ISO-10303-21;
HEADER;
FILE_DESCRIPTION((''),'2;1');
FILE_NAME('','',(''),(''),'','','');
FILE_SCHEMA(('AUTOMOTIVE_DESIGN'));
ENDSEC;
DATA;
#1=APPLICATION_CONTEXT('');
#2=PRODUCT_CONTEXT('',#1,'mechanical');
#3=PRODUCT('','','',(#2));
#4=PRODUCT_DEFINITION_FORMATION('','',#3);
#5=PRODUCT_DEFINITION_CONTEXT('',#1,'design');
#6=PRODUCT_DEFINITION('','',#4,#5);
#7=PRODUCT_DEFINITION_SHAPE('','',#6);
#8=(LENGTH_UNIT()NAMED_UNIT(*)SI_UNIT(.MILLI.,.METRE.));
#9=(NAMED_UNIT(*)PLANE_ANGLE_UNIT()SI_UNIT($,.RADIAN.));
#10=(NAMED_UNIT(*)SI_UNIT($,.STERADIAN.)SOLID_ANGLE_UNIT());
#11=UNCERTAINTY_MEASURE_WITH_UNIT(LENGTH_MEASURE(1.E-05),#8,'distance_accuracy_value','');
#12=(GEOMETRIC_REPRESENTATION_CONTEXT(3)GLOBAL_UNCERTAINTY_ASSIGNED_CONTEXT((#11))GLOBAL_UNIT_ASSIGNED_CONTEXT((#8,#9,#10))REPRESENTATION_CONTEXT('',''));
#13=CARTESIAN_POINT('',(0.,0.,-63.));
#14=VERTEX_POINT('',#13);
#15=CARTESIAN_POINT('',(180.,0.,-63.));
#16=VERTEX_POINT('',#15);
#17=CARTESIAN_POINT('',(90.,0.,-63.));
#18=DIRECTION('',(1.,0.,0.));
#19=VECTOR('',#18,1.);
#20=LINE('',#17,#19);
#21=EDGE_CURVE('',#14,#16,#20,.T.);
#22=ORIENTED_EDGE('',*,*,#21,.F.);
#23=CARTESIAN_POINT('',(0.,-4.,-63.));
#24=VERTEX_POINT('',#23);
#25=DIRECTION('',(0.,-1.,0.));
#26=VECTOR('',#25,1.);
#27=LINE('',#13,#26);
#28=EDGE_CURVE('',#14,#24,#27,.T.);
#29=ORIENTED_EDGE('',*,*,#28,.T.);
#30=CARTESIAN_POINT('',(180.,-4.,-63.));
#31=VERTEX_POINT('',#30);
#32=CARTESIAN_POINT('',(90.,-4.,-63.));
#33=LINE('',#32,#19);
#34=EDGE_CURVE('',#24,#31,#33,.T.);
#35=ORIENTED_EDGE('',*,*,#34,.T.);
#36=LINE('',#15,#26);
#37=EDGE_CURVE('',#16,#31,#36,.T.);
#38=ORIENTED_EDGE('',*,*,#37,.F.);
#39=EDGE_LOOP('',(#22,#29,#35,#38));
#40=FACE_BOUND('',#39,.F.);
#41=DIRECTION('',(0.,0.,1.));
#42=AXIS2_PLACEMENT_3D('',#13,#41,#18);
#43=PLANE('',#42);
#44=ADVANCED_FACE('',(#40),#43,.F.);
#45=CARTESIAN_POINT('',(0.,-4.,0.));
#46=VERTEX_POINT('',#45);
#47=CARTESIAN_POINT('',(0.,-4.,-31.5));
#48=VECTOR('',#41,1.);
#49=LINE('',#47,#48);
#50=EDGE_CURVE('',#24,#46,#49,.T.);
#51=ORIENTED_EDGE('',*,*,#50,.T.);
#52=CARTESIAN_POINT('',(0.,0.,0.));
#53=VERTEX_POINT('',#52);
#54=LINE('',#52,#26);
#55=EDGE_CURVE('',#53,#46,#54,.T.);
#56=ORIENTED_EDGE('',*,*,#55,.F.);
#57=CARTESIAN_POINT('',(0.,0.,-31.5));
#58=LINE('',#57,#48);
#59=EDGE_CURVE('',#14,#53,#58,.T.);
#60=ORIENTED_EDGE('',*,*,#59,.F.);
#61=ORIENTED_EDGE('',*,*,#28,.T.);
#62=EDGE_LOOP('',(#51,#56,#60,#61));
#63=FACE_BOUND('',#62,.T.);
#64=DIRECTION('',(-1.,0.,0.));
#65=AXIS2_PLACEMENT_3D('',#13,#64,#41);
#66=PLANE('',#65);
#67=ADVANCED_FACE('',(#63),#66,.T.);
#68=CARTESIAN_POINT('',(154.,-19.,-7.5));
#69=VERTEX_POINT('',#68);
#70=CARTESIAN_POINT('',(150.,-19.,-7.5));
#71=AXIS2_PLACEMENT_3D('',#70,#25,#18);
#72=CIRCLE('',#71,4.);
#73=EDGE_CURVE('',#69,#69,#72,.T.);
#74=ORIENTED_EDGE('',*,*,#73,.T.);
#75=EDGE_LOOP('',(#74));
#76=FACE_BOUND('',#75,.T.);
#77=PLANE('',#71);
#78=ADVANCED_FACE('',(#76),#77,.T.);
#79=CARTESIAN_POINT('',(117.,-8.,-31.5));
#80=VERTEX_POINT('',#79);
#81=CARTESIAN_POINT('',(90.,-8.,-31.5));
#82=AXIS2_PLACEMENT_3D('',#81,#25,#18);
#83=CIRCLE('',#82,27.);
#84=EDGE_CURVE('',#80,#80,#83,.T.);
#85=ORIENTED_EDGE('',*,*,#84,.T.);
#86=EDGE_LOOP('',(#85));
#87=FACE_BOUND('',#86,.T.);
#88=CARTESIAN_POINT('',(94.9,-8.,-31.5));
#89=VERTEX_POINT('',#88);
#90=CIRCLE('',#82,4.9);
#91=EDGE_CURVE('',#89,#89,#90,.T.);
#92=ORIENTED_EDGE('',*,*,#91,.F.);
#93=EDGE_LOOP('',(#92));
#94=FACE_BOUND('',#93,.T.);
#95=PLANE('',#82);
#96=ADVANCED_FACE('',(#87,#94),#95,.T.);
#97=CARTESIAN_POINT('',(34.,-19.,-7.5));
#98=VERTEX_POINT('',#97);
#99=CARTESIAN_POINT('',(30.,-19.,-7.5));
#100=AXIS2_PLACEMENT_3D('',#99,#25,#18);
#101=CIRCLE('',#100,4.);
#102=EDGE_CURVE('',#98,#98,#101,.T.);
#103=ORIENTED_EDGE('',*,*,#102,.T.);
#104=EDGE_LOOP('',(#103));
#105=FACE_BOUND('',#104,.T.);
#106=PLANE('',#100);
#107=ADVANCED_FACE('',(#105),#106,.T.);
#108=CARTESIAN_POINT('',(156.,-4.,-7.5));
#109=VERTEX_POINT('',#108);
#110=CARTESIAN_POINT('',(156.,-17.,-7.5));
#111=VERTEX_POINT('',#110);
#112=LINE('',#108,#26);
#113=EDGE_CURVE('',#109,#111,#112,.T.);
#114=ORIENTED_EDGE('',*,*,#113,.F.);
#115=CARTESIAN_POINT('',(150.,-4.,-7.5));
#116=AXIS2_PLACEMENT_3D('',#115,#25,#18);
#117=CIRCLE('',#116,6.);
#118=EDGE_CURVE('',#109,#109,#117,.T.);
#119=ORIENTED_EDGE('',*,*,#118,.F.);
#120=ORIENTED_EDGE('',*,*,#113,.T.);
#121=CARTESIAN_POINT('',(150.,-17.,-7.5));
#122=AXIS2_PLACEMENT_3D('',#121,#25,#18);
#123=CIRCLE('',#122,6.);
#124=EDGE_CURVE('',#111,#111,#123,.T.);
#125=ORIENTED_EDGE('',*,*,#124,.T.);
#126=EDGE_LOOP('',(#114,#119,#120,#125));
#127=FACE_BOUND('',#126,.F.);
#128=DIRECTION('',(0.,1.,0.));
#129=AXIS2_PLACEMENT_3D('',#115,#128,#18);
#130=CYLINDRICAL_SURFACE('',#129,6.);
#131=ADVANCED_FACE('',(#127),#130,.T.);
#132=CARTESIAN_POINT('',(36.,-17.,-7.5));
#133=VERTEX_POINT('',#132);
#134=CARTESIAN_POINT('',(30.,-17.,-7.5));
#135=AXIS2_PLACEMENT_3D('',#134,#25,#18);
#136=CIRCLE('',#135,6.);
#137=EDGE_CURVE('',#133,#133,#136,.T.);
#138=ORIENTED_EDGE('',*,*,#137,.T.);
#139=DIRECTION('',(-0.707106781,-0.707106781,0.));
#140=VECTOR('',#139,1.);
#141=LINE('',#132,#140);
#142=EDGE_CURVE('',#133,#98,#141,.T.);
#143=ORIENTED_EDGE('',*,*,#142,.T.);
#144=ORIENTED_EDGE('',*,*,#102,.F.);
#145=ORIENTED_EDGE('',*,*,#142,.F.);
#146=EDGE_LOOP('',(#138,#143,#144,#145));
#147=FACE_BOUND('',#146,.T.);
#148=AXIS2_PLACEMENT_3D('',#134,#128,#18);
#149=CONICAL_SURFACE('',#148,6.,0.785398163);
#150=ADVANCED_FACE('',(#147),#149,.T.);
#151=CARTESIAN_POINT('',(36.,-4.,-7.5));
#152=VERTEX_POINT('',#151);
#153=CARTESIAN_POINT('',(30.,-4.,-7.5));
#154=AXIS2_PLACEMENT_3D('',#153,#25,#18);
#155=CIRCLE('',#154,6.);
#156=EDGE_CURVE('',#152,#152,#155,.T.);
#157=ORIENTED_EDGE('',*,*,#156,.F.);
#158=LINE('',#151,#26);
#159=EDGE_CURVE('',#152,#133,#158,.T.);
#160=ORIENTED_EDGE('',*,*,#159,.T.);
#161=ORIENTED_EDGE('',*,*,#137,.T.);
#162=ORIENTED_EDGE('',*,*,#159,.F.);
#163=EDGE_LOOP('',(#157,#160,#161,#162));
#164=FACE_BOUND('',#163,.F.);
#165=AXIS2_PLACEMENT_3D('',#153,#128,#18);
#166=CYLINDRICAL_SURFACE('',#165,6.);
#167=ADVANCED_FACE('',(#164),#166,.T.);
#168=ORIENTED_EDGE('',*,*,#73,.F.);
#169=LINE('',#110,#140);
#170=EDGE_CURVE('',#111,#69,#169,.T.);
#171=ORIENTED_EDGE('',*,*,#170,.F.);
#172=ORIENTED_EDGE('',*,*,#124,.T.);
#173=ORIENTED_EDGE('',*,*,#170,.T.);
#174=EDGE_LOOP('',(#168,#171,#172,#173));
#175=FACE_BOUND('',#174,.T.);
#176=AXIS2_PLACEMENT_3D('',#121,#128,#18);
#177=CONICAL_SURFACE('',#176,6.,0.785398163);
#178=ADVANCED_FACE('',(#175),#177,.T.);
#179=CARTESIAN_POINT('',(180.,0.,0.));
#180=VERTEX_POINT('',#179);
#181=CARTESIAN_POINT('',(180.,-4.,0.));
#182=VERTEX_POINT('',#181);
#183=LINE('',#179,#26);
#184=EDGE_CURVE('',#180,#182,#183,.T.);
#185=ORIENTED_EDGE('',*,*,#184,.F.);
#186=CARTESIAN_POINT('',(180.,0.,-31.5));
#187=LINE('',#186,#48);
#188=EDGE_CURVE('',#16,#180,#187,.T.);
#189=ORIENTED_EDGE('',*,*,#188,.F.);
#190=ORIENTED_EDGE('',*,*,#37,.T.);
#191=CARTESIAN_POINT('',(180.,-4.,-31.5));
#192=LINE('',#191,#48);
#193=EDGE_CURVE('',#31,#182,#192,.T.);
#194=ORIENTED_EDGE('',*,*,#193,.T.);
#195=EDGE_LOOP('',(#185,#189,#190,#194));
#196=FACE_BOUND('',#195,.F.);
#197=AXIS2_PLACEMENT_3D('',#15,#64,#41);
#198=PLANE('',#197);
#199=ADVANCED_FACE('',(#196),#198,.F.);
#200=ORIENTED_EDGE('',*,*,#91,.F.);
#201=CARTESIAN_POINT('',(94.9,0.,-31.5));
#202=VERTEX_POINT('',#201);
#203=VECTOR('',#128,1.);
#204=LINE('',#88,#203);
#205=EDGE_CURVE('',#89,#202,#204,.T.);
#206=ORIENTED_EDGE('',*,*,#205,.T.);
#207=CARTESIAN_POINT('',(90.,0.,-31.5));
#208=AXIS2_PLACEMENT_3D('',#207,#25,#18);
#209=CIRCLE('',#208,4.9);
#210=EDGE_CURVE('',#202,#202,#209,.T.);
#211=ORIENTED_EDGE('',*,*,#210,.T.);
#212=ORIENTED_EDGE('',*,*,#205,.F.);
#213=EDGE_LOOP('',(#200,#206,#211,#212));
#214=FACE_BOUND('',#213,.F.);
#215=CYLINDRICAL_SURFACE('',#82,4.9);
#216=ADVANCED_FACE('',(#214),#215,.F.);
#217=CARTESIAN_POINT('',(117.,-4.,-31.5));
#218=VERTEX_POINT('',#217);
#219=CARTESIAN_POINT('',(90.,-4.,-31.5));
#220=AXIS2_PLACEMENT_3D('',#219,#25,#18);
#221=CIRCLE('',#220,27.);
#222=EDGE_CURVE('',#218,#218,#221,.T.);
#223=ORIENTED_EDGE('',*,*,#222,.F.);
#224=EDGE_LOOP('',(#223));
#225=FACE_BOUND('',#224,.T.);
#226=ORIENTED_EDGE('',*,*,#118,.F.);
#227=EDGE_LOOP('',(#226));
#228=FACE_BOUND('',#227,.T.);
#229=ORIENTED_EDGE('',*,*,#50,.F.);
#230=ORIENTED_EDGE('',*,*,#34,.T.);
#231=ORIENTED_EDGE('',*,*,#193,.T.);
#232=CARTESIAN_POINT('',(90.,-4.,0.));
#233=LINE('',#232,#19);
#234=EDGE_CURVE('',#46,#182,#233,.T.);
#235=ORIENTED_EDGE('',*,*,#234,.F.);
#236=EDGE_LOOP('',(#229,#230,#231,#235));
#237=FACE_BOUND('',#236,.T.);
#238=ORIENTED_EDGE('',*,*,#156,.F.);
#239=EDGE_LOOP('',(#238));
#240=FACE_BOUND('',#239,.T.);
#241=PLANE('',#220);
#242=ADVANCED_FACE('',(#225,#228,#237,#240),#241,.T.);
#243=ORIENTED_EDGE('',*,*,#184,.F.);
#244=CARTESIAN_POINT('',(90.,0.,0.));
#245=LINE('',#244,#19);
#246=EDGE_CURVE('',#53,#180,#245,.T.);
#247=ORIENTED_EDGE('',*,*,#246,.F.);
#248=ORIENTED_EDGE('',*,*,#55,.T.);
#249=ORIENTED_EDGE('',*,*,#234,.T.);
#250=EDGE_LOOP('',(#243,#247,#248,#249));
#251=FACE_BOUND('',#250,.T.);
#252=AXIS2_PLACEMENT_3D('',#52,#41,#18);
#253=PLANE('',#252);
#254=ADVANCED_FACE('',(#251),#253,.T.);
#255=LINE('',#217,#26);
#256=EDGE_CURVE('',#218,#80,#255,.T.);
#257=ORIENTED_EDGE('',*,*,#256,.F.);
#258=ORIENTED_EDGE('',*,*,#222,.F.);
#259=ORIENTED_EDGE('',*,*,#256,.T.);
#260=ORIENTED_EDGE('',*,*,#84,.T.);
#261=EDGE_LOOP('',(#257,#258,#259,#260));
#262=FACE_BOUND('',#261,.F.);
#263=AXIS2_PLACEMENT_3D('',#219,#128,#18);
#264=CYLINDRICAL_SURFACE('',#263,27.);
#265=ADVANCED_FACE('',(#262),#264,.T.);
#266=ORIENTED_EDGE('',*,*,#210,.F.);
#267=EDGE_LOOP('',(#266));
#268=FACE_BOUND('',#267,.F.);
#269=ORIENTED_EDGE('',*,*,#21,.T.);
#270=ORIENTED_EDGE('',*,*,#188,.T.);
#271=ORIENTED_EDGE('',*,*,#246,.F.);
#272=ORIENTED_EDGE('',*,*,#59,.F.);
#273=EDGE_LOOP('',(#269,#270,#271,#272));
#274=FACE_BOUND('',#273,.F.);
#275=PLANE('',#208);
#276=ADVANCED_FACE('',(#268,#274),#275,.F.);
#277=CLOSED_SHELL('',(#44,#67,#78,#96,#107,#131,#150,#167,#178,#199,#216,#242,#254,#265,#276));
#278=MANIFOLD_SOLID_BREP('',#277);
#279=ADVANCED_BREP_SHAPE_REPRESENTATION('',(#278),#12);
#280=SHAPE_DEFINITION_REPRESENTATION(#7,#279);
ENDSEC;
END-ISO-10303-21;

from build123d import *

# Parameters (mm, degrees)
F0_W     = 180
F0_H     = 63
F1_DEPTH = 4
F2_R     = 27
F3_DEPTH = 4
F2_R_2   = 6
F4_DEPTH = 15
F5_SIZE  = 2
F6_R     = 4.9
F7_DEPTH = 25


with BuildPart() as f1:
    # F0 (on Front) → F1 (new body)
    with BuildSketch(Plane.XZ):
        with Locations((90, -31.5)):
            Rectangle(F0_W, F0_H)
    extrude(amount=F1_DEPTH)

    # F2 (on face) → F3 (join)
    with BuildSketch(Plane.XZ.offset(4)):
        with Locations((90, -31.5)):
            Circle(F2_R)
    extrude(amount=F3_DEPTH)

    # F2 (on face) → F4 (join)
    with BuildSketch(Plane.XZ.offset(4)):
        with Locations((30, -7.5)):
            Circle(F2_R_2)
        with Locations((150, -7.5)):
            Circle(F2_R_2)
    extrude(amount=F4_DEPTH)

    # F5
    f5_edges = [f1.edges().sort_by_distance(p)[0] for p in [
        (24, -19, -7.5),
        (144, -19, -7.5),
    ]]
    chamfer(f5_edges, length=F5_SIZE)

    # F6 (on face) → F7 (cut)
    with BuildSketch(Plane.XZ.offset(8)):
        with Locations((90, -31.5)):
            Circle(F6_R)
    extrude(amount=-F7_DEPTH, mode=Mode.SUBTRACT)


solid = f1.part
